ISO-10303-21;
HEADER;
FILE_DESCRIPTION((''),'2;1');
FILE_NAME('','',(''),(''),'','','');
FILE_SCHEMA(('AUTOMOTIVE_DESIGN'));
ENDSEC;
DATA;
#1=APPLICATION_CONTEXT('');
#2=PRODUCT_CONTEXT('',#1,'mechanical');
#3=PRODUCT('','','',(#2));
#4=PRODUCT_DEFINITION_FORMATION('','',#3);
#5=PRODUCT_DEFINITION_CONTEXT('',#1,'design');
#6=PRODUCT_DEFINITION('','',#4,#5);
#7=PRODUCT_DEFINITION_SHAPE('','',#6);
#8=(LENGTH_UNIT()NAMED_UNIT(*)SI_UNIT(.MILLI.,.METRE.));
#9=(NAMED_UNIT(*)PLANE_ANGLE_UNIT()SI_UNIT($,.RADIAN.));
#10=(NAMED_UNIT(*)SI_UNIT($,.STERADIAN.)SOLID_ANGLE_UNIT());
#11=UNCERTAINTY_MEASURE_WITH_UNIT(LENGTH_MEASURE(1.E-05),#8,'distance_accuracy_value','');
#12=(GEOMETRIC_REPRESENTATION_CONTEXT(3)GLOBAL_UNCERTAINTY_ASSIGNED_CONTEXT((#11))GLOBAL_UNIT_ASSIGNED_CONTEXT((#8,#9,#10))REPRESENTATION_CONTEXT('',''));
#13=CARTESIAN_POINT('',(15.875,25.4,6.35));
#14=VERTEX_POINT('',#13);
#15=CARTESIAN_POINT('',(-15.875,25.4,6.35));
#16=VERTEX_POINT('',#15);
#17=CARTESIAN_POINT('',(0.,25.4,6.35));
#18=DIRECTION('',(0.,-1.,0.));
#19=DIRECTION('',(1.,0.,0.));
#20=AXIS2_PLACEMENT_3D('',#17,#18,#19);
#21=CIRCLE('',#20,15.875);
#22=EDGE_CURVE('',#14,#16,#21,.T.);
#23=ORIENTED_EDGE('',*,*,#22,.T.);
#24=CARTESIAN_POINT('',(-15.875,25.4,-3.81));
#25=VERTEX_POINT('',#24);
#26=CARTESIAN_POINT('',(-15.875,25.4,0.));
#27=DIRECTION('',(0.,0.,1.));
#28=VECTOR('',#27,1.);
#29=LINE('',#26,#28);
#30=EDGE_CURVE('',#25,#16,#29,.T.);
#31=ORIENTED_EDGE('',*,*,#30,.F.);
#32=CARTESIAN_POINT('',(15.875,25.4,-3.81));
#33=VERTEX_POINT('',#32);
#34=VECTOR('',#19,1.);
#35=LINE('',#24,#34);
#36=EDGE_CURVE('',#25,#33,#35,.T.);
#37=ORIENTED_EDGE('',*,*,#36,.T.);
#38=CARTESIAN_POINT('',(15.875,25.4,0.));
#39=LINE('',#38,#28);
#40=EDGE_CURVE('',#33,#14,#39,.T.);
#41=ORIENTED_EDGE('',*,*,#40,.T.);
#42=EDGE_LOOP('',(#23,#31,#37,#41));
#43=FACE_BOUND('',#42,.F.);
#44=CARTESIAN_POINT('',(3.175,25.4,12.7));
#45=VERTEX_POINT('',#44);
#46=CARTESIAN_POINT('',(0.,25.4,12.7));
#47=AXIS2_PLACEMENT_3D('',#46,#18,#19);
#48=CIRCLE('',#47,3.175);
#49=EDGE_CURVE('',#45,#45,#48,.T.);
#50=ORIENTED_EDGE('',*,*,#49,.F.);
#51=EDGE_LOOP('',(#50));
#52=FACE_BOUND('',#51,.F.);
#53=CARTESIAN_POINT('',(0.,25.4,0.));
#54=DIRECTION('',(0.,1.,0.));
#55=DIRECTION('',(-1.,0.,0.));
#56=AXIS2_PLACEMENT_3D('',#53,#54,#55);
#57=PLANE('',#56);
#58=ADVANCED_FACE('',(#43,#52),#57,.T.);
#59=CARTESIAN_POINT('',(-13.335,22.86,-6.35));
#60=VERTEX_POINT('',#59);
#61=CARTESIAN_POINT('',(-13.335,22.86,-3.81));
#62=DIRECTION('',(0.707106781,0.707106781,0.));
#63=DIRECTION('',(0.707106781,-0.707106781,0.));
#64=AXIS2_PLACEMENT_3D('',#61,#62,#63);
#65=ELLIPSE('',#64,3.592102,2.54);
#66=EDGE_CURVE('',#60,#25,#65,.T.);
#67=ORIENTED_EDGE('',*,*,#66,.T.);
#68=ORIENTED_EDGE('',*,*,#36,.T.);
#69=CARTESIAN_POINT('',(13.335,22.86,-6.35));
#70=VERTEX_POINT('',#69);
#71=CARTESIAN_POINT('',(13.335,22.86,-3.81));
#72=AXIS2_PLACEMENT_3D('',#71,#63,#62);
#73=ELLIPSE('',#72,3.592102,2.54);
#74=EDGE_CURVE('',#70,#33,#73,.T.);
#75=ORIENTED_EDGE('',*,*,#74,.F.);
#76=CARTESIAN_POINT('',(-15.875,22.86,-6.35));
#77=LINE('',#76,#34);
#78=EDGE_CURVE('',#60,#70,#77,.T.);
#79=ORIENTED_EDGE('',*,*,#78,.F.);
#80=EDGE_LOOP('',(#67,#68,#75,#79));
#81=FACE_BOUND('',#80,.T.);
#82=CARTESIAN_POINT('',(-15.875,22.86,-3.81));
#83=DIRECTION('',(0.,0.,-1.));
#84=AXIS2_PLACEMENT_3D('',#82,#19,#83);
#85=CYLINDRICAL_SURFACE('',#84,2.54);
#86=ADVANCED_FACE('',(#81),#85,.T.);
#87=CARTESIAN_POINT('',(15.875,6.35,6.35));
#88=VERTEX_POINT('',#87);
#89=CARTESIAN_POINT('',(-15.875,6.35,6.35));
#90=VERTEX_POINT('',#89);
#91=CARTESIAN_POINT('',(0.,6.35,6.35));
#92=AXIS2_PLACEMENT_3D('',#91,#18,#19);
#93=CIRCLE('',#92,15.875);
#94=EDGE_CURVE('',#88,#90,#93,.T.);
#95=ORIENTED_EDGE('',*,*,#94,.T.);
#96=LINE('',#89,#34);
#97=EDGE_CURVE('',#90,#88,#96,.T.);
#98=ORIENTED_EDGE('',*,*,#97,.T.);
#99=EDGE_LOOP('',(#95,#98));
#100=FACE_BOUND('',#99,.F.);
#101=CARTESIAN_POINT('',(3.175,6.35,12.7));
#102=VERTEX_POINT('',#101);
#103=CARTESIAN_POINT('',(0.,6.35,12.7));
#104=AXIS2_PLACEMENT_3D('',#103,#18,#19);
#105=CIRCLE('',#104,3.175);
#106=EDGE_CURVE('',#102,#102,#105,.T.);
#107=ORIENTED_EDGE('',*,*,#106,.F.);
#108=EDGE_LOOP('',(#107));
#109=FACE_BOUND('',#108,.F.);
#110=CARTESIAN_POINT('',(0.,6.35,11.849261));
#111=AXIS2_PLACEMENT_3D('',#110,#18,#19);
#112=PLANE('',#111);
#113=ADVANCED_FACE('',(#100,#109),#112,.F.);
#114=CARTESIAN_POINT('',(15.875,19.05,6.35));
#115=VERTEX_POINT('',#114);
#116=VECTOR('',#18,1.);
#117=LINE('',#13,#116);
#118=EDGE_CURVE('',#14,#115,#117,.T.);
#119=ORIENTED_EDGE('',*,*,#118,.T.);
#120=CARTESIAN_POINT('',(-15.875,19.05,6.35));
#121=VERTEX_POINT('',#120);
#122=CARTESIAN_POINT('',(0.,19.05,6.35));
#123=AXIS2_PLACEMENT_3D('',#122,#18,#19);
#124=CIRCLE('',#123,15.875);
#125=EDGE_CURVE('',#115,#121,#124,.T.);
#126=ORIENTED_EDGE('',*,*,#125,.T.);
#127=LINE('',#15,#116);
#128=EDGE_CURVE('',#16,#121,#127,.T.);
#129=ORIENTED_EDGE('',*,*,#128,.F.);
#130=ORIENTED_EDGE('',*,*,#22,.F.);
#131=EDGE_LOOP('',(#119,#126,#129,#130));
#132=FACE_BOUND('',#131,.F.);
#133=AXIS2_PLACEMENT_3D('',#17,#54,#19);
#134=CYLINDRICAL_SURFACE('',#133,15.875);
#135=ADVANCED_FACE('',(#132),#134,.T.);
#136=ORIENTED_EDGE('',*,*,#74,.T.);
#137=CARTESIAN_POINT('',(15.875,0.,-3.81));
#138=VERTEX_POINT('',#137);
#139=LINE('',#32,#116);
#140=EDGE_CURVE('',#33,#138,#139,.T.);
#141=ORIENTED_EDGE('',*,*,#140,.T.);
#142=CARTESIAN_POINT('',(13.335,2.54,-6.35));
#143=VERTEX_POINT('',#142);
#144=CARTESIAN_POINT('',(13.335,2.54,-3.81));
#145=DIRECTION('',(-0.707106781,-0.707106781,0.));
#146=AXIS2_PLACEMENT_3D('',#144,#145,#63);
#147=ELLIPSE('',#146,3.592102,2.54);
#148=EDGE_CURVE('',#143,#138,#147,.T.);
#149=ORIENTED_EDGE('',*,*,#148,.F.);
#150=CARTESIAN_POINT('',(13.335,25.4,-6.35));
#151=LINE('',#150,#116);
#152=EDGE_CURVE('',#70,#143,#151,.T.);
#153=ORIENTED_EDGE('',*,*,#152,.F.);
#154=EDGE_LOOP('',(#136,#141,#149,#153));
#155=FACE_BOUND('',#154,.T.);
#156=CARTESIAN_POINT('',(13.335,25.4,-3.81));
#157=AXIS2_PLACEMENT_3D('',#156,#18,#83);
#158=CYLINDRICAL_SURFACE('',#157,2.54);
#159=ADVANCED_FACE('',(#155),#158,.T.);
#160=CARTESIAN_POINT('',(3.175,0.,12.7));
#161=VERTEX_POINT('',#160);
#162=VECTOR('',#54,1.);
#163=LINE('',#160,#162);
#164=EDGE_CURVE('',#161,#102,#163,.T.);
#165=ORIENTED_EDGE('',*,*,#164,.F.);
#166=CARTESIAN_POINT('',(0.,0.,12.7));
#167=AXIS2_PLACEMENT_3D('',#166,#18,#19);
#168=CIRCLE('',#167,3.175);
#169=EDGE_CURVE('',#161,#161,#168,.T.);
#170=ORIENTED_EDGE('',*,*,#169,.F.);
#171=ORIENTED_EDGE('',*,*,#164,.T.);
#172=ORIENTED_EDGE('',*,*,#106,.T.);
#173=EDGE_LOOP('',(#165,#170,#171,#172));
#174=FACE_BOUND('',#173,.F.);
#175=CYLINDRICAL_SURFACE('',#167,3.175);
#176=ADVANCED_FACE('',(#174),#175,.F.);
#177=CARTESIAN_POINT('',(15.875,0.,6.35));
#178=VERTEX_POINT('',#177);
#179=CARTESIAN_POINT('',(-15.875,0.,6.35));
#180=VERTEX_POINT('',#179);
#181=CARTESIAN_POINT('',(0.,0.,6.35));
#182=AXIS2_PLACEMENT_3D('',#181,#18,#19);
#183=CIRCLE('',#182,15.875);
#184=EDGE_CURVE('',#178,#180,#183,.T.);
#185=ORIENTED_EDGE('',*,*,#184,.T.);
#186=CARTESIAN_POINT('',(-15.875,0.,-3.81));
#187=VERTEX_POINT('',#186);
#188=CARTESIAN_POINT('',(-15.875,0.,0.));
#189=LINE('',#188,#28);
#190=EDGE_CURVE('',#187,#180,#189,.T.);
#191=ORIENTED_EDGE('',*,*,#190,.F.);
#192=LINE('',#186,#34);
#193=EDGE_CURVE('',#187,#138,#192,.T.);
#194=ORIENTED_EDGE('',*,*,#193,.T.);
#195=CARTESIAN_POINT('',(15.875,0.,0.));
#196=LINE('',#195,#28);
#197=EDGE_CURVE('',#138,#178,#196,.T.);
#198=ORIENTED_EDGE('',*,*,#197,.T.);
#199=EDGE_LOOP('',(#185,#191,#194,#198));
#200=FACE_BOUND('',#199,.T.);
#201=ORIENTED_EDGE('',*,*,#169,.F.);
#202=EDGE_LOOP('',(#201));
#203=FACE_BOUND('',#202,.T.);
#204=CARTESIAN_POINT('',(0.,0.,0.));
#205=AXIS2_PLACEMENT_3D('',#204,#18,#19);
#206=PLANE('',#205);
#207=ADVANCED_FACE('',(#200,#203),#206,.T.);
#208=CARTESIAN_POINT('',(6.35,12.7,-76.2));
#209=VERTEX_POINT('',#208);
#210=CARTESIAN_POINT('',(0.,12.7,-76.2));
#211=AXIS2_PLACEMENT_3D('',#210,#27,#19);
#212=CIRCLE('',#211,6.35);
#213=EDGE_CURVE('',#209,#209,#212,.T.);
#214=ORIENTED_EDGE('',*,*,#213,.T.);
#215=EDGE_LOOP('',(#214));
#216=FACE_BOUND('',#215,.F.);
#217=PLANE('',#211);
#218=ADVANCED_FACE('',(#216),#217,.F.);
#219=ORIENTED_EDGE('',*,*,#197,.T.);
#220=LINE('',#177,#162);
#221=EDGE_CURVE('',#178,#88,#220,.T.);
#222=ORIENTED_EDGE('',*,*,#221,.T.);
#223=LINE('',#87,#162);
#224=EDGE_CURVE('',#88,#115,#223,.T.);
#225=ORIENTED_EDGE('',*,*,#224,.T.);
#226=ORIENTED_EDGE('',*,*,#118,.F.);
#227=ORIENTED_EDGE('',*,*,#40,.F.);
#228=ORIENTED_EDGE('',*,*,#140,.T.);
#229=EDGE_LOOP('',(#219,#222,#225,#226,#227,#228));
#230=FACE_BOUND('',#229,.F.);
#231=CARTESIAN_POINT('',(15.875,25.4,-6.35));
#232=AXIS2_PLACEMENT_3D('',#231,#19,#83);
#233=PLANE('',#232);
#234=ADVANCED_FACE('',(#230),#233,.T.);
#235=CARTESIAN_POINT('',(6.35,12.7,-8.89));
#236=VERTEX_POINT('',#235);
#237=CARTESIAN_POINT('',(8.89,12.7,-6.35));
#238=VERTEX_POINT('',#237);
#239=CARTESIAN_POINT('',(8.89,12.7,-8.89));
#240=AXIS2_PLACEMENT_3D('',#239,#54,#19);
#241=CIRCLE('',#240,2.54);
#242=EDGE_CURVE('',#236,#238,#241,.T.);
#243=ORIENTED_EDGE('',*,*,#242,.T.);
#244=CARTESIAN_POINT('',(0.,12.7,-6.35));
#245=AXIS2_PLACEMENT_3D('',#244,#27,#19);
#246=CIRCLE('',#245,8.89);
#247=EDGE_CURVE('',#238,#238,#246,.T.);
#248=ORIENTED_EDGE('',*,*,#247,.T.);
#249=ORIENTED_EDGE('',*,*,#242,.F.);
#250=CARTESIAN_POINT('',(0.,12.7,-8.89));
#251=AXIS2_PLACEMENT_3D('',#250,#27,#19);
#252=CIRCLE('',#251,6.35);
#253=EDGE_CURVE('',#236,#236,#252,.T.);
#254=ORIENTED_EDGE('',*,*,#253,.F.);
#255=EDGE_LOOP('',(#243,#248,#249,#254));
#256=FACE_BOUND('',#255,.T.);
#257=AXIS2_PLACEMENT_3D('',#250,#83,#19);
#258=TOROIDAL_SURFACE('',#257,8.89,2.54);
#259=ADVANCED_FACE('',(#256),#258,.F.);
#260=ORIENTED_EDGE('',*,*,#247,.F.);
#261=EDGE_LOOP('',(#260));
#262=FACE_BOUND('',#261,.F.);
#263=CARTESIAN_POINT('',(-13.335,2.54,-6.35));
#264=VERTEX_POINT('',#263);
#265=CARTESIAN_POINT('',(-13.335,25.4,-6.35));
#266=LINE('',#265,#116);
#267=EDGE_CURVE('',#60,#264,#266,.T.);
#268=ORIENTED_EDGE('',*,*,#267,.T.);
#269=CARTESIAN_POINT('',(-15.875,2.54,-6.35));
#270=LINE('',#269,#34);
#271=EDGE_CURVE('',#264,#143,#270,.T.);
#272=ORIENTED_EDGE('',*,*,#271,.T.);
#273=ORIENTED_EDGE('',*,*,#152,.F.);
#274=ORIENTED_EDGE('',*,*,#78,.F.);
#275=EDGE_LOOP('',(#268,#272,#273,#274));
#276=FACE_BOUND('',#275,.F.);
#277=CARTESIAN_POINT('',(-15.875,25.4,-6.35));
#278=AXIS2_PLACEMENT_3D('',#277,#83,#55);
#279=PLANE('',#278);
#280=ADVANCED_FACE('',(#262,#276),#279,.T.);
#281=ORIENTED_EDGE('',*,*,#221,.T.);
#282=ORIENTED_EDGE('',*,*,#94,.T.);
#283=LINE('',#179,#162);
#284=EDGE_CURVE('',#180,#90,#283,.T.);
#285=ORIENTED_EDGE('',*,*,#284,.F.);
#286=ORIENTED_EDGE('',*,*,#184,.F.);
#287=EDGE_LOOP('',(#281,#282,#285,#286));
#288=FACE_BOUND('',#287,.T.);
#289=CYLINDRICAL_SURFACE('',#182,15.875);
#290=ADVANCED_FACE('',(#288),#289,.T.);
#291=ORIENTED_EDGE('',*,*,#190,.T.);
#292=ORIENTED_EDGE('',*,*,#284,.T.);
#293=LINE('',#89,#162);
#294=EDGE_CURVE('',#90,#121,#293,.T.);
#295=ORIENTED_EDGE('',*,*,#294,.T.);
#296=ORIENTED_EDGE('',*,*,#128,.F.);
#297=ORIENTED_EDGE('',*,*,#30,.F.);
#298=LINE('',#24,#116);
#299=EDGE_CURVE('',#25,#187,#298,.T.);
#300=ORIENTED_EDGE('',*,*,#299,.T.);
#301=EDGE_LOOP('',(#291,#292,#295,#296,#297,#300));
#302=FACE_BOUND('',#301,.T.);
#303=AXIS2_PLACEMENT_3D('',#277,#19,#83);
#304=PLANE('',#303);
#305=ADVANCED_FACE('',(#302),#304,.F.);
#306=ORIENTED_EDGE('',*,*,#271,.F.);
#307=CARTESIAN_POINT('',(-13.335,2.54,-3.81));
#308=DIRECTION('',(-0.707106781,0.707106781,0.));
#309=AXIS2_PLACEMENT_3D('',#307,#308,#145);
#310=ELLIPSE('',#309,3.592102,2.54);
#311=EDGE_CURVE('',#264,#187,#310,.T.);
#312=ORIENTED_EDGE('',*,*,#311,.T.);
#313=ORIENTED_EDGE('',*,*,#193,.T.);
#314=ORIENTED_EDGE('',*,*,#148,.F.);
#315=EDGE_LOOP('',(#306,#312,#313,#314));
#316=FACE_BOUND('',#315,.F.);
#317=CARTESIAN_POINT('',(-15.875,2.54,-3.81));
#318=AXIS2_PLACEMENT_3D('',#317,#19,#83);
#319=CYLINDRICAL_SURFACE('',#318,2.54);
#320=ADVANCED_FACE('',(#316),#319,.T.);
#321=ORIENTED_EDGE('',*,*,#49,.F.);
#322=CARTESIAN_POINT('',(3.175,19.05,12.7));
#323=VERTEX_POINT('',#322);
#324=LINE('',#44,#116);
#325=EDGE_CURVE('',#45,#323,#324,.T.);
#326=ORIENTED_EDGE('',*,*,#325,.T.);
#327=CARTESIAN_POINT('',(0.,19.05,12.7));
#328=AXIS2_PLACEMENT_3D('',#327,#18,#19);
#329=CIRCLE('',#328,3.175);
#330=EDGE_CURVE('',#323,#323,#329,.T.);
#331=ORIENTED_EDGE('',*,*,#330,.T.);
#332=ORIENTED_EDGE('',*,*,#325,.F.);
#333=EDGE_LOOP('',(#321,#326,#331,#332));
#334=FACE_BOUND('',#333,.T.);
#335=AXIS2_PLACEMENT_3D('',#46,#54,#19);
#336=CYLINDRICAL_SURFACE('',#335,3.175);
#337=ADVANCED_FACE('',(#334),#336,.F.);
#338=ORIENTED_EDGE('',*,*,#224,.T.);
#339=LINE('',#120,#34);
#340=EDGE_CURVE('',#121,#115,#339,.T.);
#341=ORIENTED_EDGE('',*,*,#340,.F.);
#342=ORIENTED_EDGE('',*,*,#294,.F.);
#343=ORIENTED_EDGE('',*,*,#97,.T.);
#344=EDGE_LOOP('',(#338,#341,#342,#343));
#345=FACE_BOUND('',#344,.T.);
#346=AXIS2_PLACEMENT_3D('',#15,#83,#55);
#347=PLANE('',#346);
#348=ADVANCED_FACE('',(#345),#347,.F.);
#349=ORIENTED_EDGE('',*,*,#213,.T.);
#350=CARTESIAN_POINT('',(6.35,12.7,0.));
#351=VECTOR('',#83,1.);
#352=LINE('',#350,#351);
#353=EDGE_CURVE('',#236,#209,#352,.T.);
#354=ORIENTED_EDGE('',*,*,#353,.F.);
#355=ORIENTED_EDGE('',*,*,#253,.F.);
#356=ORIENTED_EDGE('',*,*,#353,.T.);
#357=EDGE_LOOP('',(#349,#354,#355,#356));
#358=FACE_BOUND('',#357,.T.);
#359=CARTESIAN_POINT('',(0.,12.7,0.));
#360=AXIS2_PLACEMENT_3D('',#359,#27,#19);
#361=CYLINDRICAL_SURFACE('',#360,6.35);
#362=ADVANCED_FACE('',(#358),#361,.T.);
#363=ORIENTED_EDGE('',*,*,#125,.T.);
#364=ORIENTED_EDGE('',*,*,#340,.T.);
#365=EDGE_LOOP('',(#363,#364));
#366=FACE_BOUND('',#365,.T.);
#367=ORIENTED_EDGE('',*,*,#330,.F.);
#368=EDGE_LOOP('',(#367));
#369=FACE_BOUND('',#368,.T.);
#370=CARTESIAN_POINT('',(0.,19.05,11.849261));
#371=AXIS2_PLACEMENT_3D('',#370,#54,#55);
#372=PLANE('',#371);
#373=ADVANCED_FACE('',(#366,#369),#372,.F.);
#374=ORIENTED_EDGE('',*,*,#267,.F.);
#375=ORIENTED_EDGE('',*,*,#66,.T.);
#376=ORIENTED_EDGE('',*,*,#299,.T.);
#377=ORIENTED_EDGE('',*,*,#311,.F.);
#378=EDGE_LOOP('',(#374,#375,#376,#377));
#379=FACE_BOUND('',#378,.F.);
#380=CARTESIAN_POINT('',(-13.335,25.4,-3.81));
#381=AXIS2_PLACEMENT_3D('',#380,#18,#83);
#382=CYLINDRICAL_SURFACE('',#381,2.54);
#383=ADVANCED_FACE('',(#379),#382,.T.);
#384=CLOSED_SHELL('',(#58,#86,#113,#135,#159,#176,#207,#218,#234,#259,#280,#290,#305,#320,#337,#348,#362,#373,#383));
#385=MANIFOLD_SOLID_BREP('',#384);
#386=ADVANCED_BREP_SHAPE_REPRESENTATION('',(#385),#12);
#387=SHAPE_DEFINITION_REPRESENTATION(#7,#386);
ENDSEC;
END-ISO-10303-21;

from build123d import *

# Parameters (mm, degrees)
F6_R     = 3.175
F0_DEPTH = 6.35
F6_W     = 31.75
F6_H     = 12.7
F1_DEPTH = 12.7
F3_R     = 6.35
F4_DEPTH = 76.2
F5_R     = 2.54


with BuildPart() as f0:
    # F6 (on Front) → F0 (new body)
    with BuildSketch(Plane.XZ):
        with BuildLine():
            Line((-15.875, 6.35), (15.875, 6.35))
            ThreePointArc((15.875, 6.35), (0, 22.225), (-15.875, 6.35))
        make_face()
        with Locations((0, 12.7)):
            Circle(F6_R, mode=Mode.SUBTRACT)
    extrude(amount=-F0_DEPTH)

    # F6 (on Front) → F1 (join)
    with BuildSketch(Plane.XZ):
        Rectangle(F6_W, F6_H)
    extrude(amount=-F1_DEPTH)

    # F2: F0 across face


with BuildPart() as f0_1:
    add(f0.part)
    add(f0.part.mirror(Plane(origin=(0, 12.7, 0), x_dir=(1, 0, 0), z_dir=(0, 1, 0))))

    # F3 (on Top) → F4 (join)
    with BuildSketch(Plane.XY):
        with Locations((0, 12.7)):
            Circle(F3_R)
    extrude(amount=-F4_DEPTH)

    # F5
    f5_edges = [f0_1.edges().sort_by_distance(p)[0] for p in [
        (-15.875, 12.7, -6.35),
        (0, 25.4, -6.35),
        (0, 0, -6.35),
        (15.875, 12.7, -6.35),
        (-6.35, 12.7, -6.35),
    ]]
    fillet(f5_edges, radius=F5_R)


solid = f0_1.part
